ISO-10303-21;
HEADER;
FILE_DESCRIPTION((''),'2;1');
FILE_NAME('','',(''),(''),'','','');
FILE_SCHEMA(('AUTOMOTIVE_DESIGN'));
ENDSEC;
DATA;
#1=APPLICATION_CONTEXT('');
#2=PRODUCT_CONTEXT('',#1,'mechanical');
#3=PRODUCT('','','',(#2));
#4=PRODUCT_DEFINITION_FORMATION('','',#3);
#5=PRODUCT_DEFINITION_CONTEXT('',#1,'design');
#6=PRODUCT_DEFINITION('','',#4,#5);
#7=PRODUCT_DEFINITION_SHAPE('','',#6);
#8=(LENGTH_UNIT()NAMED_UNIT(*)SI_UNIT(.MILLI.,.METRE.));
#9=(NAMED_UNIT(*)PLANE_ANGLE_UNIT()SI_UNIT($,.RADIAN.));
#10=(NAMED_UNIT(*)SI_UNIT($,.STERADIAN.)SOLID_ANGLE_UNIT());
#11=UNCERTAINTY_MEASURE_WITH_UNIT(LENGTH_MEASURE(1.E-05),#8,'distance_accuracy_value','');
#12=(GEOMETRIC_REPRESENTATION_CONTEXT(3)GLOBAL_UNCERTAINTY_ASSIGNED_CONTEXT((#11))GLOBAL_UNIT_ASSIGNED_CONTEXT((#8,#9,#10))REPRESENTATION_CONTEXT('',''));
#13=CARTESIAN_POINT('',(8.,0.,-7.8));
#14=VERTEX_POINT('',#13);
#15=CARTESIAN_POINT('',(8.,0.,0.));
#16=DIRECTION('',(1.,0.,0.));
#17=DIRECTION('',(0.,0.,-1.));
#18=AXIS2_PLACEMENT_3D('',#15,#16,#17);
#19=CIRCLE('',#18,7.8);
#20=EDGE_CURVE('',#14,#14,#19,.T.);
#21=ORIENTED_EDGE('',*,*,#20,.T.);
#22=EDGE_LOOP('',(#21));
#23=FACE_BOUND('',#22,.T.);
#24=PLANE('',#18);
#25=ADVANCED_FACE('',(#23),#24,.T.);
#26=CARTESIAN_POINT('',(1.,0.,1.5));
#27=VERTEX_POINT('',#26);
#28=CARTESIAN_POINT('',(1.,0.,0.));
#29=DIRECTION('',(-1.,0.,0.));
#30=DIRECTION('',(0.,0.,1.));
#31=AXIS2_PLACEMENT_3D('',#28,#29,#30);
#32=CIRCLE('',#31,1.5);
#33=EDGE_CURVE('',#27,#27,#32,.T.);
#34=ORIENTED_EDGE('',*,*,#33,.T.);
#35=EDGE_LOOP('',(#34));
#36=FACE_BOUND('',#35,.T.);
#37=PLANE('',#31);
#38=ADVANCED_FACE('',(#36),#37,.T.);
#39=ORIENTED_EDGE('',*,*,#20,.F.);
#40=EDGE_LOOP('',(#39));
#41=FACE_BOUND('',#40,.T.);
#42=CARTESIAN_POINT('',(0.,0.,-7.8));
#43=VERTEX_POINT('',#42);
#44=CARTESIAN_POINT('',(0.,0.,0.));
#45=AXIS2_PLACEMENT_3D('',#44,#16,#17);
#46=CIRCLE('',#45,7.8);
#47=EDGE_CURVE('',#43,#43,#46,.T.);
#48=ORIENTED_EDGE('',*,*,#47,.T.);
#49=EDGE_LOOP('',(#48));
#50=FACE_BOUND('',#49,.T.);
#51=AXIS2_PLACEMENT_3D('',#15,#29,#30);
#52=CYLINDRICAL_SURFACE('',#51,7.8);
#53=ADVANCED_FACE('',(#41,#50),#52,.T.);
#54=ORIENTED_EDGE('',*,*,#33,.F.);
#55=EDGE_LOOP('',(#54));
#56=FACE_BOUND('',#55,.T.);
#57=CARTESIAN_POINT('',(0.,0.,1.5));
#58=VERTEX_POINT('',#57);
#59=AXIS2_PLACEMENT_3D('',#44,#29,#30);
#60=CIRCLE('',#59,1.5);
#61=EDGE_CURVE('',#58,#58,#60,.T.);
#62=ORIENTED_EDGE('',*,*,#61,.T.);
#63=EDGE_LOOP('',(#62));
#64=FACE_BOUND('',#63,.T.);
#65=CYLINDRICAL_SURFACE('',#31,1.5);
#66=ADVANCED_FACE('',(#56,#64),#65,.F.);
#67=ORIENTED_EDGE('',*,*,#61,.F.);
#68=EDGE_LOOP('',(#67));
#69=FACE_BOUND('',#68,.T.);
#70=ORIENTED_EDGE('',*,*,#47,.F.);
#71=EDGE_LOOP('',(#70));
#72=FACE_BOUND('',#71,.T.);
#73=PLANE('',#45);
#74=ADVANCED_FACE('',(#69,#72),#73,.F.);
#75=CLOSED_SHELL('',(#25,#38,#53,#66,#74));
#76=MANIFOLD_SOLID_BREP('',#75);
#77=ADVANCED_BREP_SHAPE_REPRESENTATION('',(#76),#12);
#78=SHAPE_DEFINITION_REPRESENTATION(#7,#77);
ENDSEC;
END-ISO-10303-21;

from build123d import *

# Parameters (mm, degrees)
SKETCH_1_R          = 7.8
EXTRUDE_1_DEPTH     = 8
SKETCH_2_R          = 1.5
CUT_EXTRUDE_1_DEPTH = 1


with BuildPart() as part:
    # Эскиз1 → Бобышка-Вытянуть1 (new body)
    with BuildSketch(Plane(origin=(0, 0, 0), x_dir=(0, 0, -1), z_dir=(1, 0, 0))):
        Circle(SKETCH_1_R)
    extrude(amount=EXTRUDE_1_DEPTH)

    # Эскиз2 → Вырез-Вытянуть1 (cut)
    with BuildSketch(Plane.ZY):
        Circle(SKETCH_2_R)
    extrude(amount=-CUT_EXTRUDE_1_DEPTH, mode=Mode.SUBTRACT)


solid = part.part
